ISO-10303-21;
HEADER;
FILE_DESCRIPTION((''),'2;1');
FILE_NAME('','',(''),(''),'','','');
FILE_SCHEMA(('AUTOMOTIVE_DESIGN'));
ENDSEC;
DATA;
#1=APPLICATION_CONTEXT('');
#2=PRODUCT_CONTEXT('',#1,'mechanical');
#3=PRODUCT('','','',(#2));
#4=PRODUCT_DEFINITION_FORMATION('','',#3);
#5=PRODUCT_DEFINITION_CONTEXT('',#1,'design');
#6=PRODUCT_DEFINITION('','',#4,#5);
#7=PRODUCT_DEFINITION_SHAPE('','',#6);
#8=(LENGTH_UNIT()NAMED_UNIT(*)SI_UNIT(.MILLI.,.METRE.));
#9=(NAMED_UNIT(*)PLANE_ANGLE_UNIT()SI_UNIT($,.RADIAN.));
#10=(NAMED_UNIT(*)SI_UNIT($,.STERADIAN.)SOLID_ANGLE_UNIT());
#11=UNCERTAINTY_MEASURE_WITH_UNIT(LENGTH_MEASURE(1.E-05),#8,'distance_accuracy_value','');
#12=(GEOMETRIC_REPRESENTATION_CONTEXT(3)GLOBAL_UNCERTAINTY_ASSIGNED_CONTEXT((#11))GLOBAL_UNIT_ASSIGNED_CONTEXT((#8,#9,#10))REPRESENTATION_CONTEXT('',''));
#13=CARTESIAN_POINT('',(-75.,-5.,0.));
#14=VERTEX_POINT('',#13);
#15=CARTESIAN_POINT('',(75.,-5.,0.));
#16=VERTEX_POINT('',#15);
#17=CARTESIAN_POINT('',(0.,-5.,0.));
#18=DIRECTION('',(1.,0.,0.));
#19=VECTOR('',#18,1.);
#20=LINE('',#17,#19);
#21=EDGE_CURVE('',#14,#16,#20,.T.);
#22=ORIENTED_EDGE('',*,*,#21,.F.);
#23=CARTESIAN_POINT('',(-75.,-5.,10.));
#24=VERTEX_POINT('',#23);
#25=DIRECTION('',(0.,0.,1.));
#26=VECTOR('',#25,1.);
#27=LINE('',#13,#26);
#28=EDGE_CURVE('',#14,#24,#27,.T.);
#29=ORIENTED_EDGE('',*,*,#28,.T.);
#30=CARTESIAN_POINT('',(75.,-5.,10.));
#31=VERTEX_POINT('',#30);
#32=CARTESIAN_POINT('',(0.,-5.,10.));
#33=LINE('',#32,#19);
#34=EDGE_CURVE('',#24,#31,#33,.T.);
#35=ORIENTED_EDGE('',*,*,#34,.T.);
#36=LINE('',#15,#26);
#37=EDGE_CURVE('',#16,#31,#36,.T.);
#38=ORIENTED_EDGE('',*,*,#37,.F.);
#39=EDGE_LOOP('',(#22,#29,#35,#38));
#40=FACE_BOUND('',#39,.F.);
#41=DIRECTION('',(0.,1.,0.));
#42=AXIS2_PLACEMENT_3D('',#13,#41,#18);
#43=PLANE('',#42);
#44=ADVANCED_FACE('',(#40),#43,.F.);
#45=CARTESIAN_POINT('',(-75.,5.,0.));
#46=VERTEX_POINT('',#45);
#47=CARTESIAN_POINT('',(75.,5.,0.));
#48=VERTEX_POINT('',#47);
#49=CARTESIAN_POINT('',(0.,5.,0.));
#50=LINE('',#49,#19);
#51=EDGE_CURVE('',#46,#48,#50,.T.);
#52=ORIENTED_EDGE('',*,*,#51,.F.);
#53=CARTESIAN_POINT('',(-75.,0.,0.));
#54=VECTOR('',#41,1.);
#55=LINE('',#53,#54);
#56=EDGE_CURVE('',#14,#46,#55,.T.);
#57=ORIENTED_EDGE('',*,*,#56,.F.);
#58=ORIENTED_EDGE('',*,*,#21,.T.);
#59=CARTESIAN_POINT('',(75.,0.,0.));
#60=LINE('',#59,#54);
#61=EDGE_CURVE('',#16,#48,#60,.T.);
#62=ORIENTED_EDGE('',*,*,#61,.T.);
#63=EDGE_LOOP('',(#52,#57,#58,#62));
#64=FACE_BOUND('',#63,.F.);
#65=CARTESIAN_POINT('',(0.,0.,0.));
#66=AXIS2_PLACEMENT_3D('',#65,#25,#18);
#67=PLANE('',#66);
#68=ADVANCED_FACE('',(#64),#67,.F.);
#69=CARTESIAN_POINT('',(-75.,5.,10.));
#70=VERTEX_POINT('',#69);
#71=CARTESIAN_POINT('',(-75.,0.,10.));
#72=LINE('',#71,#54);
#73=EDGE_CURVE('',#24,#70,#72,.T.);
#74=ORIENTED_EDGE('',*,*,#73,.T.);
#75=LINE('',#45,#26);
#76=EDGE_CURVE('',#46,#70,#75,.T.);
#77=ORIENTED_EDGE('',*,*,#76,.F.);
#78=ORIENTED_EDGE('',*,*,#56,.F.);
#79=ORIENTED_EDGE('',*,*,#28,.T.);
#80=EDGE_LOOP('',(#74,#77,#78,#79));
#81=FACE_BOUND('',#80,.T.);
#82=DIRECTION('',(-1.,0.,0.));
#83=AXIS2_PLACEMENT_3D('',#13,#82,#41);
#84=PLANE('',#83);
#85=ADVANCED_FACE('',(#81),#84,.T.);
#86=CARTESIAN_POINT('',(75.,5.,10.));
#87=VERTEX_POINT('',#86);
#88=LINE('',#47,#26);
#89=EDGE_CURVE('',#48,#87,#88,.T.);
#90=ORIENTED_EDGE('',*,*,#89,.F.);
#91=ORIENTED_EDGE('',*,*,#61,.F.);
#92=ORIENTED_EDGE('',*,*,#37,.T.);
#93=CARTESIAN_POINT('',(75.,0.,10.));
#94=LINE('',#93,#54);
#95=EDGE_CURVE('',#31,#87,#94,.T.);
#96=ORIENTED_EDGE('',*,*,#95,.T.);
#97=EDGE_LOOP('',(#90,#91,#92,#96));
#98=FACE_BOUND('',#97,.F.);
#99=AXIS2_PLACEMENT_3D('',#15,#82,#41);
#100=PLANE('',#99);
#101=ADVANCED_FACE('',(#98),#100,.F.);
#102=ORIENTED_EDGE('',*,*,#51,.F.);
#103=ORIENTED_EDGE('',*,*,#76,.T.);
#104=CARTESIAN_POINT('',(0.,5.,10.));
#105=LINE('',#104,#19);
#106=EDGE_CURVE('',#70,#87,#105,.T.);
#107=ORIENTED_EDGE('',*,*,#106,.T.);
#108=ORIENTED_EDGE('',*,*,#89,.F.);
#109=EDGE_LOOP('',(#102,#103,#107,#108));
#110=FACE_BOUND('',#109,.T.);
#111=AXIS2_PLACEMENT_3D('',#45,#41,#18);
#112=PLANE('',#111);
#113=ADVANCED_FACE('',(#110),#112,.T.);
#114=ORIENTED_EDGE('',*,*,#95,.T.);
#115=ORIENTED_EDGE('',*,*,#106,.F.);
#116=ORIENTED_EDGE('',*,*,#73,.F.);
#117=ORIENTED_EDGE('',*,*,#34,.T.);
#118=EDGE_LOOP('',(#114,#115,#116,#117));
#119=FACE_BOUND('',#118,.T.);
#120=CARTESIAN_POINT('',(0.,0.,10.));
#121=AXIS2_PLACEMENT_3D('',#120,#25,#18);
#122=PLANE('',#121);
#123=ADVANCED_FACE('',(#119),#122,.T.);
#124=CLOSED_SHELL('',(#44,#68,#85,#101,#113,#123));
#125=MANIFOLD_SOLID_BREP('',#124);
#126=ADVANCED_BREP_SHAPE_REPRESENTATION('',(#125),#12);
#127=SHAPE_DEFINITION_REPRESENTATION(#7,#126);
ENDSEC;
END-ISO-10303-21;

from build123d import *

# Parameters (mm, degrees)
SKETCH1_W           = 150
SKETCH1_H           = 10
BOSS_EXTRUDE1_DEPTH = 10


with BuildPart() as part:
    # Sketch1 → Boss-Extrude1 (new body)
    with BuildSketch(Plane.XY):
        Rectangle(SKETCH1_W, SKETCH1_H)
    extrude(amount=BOSS_EXTRUDE1_DEPTH)


solid = part.part
